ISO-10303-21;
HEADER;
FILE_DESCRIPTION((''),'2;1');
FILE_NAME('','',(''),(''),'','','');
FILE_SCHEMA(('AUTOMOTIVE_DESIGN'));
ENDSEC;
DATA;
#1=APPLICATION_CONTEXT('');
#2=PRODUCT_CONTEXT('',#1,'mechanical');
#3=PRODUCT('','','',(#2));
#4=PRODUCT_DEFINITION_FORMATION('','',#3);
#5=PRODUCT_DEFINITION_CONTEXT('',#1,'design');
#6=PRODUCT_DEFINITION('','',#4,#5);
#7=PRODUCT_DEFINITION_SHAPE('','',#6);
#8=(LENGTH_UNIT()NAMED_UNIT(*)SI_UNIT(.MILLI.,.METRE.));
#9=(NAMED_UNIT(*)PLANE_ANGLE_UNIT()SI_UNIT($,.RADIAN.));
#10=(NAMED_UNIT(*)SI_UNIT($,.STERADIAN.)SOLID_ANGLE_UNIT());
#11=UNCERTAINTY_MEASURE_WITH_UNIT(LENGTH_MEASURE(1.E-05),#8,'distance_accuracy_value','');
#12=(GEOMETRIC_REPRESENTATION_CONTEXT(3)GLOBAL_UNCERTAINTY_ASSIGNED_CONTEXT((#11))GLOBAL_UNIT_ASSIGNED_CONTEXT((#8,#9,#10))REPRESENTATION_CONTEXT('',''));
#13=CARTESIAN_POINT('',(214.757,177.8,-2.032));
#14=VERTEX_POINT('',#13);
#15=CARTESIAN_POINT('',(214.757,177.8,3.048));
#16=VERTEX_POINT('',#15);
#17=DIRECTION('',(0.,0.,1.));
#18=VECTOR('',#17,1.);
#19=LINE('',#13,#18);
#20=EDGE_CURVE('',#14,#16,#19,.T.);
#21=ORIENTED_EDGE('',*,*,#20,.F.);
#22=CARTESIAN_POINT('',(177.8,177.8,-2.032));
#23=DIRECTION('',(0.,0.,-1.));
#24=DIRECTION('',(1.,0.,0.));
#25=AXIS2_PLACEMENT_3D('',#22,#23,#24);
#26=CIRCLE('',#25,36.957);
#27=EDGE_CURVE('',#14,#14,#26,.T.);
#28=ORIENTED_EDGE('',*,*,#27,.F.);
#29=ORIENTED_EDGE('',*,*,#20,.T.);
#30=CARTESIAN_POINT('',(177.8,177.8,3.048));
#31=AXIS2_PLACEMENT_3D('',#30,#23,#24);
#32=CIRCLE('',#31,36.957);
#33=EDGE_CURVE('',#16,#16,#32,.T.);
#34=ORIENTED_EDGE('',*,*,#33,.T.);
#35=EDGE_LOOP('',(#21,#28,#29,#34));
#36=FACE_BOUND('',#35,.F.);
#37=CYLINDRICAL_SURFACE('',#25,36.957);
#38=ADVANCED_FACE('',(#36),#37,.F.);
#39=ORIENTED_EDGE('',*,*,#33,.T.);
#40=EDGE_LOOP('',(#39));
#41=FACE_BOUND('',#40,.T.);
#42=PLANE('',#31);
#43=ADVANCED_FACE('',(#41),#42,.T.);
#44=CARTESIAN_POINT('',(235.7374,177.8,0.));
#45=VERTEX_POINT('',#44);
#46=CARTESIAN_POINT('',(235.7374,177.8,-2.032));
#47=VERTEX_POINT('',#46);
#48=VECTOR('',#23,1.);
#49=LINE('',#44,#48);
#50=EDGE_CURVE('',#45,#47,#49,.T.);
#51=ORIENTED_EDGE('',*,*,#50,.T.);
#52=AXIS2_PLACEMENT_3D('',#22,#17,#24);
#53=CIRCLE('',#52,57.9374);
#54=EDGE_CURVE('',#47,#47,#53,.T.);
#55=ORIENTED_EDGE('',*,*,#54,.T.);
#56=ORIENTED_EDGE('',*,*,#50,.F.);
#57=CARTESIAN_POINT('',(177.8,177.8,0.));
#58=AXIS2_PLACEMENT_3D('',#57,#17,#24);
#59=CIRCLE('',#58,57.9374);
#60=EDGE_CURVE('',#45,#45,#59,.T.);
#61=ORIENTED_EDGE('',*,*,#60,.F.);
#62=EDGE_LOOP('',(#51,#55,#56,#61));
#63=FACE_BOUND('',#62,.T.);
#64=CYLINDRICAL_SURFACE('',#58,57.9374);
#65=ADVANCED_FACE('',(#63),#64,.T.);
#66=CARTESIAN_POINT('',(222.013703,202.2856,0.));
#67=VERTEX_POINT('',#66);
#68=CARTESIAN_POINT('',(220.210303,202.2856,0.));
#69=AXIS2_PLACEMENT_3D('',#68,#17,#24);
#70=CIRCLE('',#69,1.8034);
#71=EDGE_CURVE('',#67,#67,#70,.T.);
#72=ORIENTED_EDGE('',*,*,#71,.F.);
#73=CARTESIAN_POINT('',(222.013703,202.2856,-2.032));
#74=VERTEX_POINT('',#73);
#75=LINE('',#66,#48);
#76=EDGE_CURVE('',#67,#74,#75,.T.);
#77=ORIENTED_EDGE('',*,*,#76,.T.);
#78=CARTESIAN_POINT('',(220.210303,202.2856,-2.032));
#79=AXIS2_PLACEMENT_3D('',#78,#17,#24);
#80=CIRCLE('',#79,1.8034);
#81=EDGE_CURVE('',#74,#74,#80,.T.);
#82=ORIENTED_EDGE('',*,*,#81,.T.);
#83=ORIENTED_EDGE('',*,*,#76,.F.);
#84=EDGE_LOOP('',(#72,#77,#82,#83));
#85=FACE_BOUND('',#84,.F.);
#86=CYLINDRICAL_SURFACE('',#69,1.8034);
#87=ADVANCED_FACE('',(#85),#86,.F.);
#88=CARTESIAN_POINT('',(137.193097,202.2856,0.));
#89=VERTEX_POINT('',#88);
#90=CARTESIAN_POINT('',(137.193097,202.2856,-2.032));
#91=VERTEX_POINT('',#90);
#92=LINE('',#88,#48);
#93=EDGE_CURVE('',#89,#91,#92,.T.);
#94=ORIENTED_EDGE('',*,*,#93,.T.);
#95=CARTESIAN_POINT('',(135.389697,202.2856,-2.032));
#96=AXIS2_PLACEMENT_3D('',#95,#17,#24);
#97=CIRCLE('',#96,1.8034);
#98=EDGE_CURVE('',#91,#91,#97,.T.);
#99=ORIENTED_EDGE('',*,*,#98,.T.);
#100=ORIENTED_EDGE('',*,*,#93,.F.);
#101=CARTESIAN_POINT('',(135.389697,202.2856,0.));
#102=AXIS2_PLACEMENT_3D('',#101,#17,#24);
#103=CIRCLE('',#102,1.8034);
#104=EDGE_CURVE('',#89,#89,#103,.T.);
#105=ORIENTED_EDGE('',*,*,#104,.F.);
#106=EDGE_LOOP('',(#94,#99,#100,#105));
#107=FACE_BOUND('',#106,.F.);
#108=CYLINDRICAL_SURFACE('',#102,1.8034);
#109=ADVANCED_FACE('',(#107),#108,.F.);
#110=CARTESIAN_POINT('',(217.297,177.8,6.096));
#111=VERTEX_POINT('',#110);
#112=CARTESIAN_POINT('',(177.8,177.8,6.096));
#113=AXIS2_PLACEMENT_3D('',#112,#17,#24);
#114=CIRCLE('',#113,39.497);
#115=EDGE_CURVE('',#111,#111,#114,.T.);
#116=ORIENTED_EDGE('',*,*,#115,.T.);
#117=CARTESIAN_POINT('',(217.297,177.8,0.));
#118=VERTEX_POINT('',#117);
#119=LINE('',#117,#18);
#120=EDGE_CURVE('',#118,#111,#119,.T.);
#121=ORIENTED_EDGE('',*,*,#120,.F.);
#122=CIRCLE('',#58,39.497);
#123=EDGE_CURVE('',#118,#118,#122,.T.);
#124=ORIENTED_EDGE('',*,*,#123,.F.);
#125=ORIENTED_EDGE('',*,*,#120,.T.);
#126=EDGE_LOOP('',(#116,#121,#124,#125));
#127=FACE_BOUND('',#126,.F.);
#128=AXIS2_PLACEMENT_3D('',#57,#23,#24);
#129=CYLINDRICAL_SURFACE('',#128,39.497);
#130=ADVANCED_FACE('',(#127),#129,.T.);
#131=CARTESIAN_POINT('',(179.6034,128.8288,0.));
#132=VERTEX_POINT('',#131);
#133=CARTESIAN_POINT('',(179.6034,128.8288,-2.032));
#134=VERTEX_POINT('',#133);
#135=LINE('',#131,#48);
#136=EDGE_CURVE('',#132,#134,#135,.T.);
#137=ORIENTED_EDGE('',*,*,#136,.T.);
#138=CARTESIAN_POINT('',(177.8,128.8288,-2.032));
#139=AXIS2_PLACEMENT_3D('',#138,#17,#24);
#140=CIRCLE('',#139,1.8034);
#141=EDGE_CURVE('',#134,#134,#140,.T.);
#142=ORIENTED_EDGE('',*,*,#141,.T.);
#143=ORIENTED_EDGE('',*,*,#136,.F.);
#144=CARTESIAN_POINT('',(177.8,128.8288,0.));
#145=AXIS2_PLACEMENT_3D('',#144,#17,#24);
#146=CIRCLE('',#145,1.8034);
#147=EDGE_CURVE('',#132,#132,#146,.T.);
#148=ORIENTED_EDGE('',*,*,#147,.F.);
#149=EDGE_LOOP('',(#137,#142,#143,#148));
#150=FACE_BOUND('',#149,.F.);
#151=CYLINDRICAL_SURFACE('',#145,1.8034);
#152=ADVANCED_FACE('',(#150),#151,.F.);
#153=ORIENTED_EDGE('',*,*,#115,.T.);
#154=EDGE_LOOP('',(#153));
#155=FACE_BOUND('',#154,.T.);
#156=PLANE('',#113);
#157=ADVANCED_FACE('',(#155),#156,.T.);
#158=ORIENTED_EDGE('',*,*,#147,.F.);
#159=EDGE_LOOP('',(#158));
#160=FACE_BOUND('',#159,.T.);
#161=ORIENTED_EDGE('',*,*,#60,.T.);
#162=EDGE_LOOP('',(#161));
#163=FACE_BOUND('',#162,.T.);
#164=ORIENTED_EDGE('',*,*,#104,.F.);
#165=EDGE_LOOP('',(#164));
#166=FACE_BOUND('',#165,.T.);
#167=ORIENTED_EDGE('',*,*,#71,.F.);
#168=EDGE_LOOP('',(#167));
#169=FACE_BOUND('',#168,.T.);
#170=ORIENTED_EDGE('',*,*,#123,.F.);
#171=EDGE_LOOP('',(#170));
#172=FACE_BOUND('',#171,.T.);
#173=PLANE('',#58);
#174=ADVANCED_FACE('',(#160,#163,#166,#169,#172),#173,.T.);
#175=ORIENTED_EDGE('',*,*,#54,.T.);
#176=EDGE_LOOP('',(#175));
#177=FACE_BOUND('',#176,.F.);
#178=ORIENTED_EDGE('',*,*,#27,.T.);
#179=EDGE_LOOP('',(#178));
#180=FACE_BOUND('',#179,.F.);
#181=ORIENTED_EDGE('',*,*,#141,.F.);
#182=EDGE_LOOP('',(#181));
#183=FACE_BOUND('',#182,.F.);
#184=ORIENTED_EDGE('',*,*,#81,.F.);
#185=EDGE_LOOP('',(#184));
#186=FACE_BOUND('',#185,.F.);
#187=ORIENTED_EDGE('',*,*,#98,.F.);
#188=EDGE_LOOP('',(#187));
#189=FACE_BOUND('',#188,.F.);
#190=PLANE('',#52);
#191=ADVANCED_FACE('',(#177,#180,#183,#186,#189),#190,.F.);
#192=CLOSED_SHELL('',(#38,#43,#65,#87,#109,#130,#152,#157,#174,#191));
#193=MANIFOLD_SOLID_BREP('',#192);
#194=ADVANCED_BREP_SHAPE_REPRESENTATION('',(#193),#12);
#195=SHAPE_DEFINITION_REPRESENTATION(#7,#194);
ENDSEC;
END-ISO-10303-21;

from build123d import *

# Parameters (mm, degrees)
SKETCH006_R   = 39.497
PAD001_DEPTH  = 6.096
SKETCH007_R   = 57.9374
SKETCH007_R_2 = 1.8034
PAD002_DEPTH  = 2.032
SKETCH009_R   = 36.957
POCKET_DEPTH  = 5.08


with BuildPart() as part:
    # Sketch006 → Pad001 (new body)
    with BuildSketch(Plane.XY):
        with Locations((177.8, 177.8)):
            Circle(SKETCH006_R)
    extrude(amount=PAD001_DEPTH)

    # Sketch007 → Pad002 (join)
    with BuildSketch(Plane.XY):
        with Locations((177.8, 177.8)):
            Circle(SKETCH007_R)
        with Locations((220.210303, 202.2856)):
            Circle(SKETCH007_R_2, mode=Mode.SUBTRACT)
        with Locations((135.389697, 202.2856)):
            Circle(SKETCH007_R_2, mode=Mode.SUBTRACT)
        with Locations((177.8, 128.8288)):
            Circle(SKETCH007_R_2, mode=Mode.SUBTRACT)
    extrude(amount=-PAD002_DEPTH)

    # Sketch009 (on Face3 of Pad002) → Pocket (cut)
    with BuildSketch(Plane(origin=(0, 0, -2.032), x_dir=(1, 0, 0), z_dir=(0, 0, -1))):
        with Locations((177.8, -177.8)):
            Circle(SKETCH009_R)
    extrude(amount=-POCKET_DEPTH, mode=Mode.SUBTRACT)


solid = part.part
